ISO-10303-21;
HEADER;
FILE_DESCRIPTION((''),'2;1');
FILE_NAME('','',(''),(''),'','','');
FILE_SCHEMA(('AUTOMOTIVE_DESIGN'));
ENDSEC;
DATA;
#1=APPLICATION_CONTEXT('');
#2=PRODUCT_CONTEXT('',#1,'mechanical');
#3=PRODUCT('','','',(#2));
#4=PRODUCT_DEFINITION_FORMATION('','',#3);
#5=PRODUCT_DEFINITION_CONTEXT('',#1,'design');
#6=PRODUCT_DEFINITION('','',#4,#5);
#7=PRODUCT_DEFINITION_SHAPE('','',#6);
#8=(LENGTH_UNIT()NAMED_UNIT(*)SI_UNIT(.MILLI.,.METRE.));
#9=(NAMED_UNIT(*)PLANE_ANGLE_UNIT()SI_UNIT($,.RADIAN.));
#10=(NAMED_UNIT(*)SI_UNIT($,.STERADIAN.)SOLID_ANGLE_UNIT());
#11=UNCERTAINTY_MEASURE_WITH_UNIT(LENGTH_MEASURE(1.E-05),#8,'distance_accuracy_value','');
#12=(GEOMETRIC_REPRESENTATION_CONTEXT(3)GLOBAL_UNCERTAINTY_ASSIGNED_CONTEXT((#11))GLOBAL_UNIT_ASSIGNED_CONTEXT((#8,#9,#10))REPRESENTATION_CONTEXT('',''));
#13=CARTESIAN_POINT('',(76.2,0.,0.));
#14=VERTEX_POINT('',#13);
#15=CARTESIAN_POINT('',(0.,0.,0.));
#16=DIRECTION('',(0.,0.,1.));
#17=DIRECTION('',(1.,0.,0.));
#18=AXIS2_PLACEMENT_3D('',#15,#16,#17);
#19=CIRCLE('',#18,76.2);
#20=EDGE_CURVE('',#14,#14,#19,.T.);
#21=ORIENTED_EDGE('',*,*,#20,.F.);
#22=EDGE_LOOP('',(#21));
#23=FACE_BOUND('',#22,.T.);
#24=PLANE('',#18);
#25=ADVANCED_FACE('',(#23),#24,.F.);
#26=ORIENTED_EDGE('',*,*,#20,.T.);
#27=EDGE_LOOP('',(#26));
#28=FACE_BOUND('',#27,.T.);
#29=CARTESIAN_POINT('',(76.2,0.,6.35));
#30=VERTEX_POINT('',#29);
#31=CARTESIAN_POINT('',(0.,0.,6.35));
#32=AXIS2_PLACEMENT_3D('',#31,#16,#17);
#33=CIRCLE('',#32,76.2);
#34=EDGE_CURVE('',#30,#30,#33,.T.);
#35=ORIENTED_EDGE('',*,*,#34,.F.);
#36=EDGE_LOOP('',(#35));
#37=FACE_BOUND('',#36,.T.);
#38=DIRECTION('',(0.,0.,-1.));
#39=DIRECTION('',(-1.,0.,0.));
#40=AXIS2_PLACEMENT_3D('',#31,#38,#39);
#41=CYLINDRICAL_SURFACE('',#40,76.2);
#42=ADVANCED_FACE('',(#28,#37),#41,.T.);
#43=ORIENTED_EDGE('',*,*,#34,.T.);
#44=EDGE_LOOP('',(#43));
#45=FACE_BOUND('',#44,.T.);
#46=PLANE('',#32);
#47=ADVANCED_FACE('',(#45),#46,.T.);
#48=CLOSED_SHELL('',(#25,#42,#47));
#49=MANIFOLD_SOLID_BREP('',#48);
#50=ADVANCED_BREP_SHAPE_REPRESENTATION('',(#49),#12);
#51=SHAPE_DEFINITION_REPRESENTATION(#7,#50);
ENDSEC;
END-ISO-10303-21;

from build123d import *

# Parameters (mm, degrees)
ESQUISSE1_R        = 76.2
BOSS_EXTRU_1_DEPTH = 6.35


with BuildPart() as part:
    # Esquisse1 → Boss.-Extru.1 (new body)
    with BuildSketch(Plane.XY):
        Circle(ESQUISSE1_R)
    extrude(amount=BOSS_EXTRU_1_DEPTH)


solid = part.part
